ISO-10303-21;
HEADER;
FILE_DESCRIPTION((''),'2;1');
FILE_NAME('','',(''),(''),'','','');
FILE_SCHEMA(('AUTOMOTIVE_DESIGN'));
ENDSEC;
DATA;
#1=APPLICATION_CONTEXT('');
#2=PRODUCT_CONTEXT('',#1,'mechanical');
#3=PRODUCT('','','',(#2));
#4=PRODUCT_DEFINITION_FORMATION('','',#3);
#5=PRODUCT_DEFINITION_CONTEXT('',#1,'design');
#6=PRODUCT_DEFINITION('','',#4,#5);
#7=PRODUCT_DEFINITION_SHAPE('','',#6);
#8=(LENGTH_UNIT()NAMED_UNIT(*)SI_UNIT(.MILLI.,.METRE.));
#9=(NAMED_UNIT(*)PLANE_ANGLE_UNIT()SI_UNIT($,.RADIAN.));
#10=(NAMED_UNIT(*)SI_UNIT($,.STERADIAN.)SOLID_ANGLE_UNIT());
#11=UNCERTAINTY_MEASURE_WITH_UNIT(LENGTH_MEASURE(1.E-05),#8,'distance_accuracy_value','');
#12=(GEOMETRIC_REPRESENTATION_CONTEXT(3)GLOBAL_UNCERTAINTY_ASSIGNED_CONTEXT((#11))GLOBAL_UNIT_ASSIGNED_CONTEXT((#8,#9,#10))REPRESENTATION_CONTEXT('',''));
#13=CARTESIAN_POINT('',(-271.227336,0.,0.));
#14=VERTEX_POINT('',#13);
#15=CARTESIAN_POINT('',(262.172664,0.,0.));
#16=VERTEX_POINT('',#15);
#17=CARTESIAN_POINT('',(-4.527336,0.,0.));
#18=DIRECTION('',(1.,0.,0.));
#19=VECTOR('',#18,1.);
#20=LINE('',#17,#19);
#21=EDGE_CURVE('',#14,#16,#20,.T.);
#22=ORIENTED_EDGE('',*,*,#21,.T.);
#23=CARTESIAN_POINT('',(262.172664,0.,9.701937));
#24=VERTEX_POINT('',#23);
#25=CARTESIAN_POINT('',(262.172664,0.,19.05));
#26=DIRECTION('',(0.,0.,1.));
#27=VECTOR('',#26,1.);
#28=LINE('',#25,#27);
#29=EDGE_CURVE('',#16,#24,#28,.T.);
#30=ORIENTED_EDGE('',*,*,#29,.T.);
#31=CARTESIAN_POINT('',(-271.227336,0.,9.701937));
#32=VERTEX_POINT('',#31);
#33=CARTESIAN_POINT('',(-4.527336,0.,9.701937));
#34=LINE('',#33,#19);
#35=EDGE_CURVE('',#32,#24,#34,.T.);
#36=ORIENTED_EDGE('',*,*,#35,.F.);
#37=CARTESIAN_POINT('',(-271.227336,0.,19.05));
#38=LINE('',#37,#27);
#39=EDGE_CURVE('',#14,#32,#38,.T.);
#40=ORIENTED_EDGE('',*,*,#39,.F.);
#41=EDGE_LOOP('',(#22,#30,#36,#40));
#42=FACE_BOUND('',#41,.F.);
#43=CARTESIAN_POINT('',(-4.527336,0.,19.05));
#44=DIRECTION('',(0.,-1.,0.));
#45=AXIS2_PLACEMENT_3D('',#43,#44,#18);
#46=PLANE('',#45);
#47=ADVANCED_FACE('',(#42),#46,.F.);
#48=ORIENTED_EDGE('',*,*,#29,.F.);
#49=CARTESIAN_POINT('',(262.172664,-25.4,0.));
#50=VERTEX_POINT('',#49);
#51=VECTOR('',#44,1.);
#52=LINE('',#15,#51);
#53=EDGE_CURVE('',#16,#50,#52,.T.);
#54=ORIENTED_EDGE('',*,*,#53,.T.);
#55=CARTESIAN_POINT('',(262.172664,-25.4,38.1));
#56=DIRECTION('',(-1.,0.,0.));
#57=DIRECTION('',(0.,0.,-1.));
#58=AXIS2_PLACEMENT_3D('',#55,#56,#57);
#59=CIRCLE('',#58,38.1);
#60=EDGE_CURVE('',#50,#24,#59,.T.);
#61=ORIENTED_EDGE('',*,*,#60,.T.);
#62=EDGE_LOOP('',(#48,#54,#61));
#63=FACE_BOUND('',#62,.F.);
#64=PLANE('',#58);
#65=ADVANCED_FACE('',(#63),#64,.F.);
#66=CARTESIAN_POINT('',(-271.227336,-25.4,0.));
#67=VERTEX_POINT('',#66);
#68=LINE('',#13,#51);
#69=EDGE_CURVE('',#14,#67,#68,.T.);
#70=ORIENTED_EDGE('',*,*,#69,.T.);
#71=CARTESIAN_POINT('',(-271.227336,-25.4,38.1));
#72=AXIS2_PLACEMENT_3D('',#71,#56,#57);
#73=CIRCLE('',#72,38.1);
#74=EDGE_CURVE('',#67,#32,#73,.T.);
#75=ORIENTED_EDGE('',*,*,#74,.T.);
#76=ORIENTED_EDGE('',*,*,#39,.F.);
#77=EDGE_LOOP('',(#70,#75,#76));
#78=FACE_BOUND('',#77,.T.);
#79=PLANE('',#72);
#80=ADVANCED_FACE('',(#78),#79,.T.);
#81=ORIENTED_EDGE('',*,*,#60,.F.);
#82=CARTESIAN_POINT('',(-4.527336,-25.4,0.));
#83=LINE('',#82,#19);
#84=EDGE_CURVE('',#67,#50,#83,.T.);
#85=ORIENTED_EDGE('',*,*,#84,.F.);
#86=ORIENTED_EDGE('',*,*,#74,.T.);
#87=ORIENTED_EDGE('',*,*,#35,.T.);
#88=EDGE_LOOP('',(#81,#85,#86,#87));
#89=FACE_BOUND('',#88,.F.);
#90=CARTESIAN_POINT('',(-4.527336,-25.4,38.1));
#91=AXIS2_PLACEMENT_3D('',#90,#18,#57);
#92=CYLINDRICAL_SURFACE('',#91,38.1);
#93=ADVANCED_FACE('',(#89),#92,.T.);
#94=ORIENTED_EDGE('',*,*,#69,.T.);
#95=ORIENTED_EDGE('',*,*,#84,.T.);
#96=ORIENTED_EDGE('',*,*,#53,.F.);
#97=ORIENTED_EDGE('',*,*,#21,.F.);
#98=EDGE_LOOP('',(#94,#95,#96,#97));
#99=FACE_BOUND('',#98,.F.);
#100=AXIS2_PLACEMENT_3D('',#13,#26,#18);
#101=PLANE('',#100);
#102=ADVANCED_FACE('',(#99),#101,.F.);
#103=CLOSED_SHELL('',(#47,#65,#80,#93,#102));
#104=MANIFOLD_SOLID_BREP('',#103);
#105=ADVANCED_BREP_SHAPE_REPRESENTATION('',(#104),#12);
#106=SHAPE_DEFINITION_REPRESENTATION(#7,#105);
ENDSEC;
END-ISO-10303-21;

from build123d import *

# Parameters (mm, degrees)
F0_W      = 533.4
F0_H      = 38.1
F1_DEPTH  = 25.4
F1_FACE_W = 533.4
F1_FACE_H = 38.1


with BuildPart() as f1:
    # F0 (on Front) → F1 (new body)
    with BuildSketch(Plane.XZ):
        with Locations((-4.527336, 19.05)):
            Rectangle(F0_W, F0_H)
    extrude(amount=F1_DEPTH)

    # F1_face (on face) → F2 (revolve)
    with BuildSketch(Plane(origin=(-4.527336, -25.4, 19.05), x_dir=(1, 0, 0), z_dir=(0, -1, 0))):
        Rectangle(F1_FACE_W, F1_FACE_H)
    revolve(axis=Axis((-4.527336, -25.4, 38.1), (-1, 0, 0)))


solid = f1.part
